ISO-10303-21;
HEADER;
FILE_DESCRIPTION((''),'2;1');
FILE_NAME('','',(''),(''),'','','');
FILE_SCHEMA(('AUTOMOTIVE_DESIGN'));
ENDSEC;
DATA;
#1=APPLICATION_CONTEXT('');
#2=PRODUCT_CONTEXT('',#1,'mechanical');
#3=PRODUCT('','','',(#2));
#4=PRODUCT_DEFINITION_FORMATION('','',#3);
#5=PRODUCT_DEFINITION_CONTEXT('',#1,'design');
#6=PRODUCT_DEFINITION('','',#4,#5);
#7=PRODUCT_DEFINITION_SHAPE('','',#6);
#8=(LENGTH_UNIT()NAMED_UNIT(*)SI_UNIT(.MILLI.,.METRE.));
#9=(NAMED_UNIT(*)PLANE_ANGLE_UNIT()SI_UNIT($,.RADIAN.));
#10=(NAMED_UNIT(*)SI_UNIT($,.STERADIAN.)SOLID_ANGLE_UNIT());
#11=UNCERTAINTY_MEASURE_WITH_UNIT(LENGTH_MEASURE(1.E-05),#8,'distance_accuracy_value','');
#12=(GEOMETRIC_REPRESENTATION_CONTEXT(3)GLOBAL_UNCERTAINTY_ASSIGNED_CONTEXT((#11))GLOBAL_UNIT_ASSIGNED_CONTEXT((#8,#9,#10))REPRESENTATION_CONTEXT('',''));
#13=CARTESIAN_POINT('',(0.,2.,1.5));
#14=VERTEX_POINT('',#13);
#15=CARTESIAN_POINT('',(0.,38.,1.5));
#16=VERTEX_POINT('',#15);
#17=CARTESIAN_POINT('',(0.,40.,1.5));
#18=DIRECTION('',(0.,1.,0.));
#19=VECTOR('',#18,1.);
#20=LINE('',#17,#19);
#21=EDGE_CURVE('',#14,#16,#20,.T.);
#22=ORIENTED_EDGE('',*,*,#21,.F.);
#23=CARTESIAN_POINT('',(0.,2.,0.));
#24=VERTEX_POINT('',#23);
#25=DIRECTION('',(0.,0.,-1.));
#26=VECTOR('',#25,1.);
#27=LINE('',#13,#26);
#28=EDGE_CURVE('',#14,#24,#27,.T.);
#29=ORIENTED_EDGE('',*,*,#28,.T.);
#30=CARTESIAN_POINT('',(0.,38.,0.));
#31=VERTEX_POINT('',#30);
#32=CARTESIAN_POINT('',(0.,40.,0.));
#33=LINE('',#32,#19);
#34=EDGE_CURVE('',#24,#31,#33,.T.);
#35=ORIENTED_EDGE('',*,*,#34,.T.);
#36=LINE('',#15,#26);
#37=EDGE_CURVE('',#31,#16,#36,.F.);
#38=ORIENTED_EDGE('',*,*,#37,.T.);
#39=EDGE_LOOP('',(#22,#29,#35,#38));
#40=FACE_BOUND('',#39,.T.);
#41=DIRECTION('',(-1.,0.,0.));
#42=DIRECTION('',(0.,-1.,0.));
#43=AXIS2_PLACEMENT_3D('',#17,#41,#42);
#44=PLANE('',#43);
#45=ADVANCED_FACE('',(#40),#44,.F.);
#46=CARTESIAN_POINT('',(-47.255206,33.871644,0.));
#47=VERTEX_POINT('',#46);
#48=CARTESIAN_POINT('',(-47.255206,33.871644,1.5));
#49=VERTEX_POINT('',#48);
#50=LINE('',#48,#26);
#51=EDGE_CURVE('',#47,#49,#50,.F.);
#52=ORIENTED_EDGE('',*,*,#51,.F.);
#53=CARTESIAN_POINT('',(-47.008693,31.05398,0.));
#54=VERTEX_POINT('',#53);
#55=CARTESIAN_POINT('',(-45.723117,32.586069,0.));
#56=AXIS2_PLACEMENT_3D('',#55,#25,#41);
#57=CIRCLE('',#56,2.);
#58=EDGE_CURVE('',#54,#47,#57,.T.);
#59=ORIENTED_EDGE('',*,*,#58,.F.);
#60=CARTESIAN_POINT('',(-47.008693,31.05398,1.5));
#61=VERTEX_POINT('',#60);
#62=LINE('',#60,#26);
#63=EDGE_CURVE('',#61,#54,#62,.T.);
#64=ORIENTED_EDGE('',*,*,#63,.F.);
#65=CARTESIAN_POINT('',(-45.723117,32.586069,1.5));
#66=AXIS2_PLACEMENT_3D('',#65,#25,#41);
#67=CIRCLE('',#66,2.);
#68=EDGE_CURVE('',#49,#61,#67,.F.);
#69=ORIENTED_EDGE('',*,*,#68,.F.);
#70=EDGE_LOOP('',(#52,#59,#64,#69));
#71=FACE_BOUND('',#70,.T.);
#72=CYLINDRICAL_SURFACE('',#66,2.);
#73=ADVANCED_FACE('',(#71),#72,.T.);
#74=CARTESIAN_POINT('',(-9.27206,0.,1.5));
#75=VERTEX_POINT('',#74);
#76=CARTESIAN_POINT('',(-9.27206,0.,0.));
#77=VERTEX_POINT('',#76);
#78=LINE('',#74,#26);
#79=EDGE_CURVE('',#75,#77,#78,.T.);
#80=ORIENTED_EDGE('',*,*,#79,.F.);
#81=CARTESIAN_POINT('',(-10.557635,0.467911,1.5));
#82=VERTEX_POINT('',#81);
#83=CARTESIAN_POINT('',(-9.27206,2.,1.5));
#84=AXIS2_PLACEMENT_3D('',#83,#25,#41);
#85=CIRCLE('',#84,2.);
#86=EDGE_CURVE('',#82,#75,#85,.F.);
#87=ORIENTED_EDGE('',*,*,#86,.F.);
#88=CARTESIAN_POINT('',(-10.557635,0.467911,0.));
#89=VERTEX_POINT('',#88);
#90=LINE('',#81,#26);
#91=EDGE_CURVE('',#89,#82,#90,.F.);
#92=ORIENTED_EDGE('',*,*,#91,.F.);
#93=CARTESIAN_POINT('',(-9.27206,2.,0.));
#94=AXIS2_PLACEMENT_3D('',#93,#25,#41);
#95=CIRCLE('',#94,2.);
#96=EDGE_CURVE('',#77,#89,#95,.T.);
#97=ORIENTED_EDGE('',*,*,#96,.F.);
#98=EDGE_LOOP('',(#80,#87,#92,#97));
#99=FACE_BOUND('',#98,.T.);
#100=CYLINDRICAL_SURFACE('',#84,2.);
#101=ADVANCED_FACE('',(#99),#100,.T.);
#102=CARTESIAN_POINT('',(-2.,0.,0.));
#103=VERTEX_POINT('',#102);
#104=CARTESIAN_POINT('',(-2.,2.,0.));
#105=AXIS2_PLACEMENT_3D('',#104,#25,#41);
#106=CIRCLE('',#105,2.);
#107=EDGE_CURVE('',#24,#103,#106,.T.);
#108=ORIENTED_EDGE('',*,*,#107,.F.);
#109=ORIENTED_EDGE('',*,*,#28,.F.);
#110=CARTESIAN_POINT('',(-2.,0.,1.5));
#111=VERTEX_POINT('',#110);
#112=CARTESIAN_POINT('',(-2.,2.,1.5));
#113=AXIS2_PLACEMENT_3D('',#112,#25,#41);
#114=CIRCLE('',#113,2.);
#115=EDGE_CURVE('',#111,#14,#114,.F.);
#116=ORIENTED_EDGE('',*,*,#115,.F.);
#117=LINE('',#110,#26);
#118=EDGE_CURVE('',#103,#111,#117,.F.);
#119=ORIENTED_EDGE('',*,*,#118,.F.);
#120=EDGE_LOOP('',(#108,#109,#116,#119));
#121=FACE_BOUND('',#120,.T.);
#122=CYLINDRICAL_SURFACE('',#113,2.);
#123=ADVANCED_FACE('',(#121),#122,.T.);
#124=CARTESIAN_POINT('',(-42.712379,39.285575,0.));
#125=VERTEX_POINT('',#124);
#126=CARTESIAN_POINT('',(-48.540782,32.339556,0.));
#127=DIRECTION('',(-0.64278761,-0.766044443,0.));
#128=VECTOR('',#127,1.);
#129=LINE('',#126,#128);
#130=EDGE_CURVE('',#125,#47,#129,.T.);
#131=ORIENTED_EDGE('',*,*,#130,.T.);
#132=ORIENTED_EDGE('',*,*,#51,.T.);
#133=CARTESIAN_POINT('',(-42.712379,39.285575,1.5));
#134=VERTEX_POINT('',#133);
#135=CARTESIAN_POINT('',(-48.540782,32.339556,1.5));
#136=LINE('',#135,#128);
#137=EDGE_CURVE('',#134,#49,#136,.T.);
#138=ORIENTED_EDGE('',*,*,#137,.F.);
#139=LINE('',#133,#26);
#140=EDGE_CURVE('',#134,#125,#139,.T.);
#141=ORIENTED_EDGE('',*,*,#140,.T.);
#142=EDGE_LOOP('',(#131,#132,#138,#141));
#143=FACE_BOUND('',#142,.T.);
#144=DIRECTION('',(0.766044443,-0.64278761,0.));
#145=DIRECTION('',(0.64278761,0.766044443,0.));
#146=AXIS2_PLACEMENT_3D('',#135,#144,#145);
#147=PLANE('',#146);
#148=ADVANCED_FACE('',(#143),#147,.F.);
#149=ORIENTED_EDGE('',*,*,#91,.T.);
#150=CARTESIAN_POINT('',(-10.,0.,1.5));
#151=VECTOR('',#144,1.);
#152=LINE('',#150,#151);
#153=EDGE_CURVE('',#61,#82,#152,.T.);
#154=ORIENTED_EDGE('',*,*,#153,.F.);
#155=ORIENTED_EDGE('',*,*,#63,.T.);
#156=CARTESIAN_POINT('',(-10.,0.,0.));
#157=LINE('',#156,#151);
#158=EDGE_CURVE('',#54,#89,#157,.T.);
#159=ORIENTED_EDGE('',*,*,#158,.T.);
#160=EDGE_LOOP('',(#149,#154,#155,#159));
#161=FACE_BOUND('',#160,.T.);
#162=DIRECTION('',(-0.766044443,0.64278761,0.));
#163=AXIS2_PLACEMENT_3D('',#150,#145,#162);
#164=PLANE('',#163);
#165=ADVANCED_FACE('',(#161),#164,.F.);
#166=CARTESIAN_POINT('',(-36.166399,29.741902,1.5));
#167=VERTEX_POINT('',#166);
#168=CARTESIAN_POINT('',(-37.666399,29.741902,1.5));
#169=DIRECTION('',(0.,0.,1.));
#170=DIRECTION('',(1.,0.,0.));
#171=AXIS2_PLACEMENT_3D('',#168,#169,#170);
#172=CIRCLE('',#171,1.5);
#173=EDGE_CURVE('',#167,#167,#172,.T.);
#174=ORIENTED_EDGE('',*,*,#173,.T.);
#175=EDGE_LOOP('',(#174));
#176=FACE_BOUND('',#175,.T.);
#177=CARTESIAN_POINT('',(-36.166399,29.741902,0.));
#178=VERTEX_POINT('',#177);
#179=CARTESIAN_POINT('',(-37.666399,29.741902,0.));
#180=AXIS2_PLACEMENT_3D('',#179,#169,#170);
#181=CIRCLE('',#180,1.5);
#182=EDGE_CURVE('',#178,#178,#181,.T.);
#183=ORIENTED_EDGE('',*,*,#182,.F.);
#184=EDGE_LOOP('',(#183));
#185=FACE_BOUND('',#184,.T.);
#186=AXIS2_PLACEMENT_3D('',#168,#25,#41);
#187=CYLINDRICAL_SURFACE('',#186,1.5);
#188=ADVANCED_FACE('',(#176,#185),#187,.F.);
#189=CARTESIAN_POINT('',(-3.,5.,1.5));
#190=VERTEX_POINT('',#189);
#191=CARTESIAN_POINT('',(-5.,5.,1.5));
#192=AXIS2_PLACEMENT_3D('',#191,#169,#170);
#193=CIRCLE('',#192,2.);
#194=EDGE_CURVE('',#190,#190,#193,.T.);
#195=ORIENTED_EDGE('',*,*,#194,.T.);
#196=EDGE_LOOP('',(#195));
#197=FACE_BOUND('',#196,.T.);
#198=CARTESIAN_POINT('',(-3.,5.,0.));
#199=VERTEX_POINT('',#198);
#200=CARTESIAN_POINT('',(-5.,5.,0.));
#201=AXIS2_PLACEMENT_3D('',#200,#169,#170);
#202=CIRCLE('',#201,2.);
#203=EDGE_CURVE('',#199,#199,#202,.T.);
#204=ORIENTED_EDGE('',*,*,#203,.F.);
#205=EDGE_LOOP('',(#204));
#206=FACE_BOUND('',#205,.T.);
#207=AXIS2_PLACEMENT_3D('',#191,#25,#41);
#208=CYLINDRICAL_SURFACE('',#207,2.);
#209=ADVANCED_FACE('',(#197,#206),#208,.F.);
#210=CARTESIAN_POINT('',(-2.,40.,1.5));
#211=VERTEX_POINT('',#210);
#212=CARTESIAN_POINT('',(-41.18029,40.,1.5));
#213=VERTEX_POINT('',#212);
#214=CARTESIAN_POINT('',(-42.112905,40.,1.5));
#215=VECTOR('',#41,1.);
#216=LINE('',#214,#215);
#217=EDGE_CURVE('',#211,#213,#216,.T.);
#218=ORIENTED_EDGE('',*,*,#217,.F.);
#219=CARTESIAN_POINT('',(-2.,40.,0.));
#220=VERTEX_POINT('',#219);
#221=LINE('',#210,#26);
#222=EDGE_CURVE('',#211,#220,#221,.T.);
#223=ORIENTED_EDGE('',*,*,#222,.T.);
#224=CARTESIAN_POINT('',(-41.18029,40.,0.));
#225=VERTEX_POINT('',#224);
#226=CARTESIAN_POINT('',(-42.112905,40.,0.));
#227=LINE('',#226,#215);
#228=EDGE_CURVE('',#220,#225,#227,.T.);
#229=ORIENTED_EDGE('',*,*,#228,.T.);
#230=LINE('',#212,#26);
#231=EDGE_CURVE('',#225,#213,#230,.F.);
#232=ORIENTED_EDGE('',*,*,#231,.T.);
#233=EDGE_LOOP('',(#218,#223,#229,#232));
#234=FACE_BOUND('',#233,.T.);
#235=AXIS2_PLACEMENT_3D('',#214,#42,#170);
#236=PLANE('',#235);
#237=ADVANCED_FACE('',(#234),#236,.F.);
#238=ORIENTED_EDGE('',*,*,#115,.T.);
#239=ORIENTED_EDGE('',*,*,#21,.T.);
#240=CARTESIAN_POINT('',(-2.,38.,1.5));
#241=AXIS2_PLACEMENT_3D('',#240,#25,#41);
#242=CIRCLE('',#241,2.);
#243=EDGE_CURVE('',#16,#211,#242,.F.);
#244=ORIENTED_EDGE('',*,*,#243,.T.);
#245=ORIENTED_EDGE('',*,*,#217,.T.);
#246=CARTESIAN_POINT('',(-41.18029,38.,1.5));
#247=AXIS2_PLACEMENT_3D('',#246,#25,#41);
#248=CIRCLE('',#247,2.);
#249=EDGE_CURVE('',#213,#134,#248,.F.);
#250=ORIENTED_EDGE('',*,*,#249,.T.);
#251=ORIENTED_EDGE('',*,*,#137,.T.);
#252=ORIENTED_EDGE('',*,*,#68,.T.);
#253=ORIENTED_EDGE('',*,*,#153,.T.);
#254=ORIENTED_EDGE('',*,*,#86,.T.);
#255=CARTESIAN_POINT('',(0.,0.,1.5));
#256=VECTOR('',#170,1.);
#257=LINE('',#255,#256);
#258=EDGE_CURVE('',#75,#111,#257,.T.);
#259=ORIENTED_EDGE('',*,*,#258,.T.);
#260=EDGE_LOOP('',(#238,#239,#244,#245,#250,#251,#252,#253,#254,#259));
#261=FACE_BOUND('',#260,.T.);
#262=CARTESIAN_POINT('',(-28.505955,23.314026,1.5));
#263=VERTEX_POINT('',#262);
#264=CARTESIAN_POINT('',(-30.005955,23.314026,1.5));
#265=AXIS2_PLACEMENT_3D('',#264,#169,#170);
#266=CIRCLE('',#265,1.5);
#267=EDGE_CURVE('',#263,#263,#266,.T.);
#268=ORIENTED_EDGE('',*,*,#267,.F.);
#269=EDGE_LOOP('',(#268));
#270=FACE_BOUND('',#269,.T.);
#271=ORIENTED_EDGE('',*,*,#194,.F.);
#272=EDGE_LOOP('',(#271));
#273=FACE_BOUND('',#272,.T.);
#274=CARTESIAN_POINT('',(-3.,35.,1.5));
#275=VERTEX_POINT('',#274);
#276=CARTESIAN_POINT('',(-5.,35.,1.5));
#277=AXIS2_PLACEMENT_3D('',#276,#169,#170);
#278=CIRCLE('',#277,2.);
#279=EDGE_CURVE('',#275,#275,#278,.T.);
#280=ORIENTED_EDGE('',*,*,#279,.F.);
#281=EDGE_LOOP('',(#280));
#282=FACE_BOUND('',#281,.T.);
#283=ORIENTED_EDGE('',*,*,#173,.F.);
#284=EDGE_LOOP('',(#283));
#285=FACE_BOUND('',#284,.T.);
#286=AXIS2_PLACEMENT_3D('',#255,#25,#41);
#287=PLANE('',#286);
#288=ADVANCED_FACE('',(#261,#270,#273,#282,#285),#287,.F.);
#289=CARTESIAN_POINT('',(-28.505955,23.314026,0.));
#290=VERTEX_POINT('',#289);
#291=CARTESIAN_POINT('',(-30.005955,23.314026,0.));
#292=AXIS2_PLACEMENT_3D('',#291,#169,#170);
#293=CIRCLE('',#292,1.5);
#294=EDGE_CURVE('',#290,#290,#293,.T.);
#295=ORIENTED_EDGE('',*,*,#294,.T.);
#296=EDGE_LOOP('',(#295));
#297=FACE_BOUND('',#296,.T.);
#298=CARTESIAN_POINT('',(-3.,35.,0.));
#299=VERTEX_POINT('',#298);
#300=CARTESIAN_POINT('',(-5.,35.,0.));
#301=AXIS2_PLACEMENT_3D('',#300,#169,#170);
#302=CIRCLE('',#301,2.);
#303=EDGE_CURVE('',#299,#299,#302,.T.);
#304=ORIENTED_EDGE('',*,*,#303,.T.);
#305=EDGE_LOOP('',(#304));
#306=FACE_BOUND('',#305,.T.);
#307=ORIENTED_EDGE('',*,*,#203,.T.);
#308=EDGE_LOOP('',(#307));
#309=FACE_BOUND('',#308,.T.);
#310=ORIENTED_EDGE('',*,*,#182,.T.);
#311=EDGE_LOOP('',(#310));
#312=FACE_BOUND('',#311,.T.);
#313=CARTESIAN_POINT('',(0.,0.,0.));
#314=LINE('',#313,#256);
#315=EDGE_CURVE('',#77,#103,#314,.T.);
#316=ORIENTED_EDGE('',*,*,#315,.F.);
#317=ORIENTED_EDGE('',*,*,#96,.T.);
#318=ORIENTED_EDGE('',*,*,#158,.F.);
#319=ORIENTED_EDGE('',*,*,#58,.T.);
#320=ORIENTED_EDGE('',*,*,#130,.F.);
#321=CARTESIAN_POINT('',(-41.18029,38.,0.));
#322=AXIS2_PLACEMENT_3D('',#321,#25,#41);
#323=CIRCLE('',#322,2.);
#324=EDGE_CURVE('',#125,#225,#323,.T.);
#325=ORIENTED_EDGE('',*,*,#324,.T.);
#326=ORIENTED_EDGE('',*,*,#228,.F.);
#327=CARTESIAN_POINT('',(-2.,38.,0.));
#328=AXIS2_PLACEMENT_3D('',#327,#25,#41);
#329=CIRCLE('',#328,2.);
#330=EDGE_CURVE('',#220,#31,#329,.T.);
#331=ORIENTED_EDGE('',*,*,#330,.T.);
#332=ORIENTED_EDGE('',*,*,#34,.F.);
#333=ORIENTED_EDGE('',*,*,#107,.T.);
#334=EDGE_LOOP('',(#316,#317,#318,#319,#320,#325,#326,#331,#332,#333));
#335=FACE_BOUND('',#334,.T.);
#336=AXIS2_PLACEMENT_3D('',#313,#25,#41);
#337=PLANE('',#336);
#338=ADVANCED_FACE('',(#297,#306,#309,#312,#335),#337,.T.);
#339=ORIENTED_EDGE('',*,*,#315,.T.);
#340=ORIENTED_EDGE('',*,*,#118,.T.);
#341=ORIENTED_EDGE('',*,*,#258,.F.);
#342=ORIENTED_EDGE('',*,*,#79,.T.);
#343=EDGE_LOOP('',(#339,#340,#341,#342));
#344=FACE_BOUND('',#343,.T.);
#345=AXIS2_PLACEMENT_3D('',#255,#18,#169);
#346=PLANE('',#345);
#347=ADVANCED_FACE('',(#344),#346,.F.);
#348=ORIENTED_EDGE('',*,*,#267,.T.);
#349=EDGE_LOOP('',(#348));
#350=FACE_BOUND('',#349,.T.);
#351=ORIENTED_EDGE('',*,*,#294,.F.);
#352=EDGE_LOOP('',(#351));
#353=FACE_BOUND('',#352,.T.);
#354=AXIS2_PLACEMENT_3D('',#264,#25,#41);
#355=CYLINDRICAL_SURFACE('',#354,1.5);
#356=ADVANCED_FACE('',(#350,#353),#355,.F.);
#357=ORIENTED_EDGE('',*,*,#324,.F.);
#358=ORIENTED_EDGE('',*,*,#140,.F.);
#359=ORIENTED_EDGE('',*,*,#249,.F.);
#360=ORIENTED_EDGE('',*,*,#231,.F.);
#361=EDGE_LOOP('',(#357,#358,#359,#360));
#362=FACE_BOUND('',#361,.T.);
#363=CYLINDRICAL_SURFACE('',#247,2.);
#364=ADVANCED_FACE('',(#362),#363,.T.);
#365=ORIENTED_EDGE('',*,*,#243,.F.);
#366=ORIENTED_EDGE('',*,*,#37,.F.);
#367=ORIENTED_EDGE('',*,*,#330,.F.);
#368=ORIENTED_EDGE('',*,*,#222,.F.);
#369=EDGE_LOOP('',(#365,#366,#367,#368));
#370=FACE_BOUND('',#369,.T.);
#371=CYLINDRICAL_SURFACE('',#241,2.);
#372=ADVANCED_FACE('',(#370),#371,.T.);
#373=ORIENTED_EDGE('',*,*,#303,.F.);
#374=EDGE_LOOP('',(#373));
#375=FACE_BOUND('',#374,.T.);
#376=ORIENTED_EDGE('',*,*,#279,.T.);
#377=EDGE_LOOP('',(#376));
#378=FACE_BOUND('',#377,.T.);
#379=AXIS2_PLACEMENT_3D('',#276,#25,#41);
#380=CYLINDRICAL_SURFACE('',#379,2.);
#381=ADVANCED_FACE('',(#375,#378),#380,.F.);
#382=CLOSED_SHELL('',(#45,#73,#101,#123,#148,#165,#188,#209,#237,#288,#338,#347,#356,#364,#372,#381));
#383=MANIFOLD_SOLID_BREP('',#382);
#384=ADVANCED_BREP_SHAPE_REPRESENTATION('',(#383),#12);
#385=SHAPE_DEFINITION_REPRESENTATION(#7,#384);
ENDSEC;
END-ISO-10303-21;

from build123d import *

# Parameters (mm, degrees)
SKETCH_1_R      = 1.5
SKETCH_1_R_2    = 2
EXTRUDE_1_DEPTH = 1.5
FILLET_1_R      = 2


with BuildPart() as part:
    # ｽｹｯﾁ1 → ﾎﾞｽ - 押し出し1 (new body)
    with BuildSketch(Plane.XY):
        Polygon((0, 0), (-10, 0), (-48.540781532, 32.339555569), (-42.112905435, 40), (0, 40), align=None)
        with Locations((-37.666399052, 29.741901688)):
            Circle(SKETCH_1_R, mode=Mode.SUBTRACT)
        with Locations((-30.005954621, 23.314025591)):
            Circle(SKETCH_1_R, mode=Mode.SUBTRACT)
        with Locations((-5, 5)):
            Circle(SKETCH_1_R_2, mode=Mode.SUBTRACT)
        with Locations((-5, 35)):
            Circle(SKETCH_1_R_2, mode=Mode.SUBTRACT)
    extrude(amount=EXTRUDE_1_DEPTH)

    # ﾌｨﾚｯﾄ1
    fillet_1_edges = [part.edges().sort_by_distance(p)[0] for p in [
        (0, 0, 0.75),
        (-10, 0, 0.75),
        (-48.540781532, 32.339555569, 0.75),
        (-42.112905435, 40, 0.75),
        (0, 40, 0.75),
    ]]
    fillet(fillet_1_edges, radius=FILLET_1_R)


solid = part.part
